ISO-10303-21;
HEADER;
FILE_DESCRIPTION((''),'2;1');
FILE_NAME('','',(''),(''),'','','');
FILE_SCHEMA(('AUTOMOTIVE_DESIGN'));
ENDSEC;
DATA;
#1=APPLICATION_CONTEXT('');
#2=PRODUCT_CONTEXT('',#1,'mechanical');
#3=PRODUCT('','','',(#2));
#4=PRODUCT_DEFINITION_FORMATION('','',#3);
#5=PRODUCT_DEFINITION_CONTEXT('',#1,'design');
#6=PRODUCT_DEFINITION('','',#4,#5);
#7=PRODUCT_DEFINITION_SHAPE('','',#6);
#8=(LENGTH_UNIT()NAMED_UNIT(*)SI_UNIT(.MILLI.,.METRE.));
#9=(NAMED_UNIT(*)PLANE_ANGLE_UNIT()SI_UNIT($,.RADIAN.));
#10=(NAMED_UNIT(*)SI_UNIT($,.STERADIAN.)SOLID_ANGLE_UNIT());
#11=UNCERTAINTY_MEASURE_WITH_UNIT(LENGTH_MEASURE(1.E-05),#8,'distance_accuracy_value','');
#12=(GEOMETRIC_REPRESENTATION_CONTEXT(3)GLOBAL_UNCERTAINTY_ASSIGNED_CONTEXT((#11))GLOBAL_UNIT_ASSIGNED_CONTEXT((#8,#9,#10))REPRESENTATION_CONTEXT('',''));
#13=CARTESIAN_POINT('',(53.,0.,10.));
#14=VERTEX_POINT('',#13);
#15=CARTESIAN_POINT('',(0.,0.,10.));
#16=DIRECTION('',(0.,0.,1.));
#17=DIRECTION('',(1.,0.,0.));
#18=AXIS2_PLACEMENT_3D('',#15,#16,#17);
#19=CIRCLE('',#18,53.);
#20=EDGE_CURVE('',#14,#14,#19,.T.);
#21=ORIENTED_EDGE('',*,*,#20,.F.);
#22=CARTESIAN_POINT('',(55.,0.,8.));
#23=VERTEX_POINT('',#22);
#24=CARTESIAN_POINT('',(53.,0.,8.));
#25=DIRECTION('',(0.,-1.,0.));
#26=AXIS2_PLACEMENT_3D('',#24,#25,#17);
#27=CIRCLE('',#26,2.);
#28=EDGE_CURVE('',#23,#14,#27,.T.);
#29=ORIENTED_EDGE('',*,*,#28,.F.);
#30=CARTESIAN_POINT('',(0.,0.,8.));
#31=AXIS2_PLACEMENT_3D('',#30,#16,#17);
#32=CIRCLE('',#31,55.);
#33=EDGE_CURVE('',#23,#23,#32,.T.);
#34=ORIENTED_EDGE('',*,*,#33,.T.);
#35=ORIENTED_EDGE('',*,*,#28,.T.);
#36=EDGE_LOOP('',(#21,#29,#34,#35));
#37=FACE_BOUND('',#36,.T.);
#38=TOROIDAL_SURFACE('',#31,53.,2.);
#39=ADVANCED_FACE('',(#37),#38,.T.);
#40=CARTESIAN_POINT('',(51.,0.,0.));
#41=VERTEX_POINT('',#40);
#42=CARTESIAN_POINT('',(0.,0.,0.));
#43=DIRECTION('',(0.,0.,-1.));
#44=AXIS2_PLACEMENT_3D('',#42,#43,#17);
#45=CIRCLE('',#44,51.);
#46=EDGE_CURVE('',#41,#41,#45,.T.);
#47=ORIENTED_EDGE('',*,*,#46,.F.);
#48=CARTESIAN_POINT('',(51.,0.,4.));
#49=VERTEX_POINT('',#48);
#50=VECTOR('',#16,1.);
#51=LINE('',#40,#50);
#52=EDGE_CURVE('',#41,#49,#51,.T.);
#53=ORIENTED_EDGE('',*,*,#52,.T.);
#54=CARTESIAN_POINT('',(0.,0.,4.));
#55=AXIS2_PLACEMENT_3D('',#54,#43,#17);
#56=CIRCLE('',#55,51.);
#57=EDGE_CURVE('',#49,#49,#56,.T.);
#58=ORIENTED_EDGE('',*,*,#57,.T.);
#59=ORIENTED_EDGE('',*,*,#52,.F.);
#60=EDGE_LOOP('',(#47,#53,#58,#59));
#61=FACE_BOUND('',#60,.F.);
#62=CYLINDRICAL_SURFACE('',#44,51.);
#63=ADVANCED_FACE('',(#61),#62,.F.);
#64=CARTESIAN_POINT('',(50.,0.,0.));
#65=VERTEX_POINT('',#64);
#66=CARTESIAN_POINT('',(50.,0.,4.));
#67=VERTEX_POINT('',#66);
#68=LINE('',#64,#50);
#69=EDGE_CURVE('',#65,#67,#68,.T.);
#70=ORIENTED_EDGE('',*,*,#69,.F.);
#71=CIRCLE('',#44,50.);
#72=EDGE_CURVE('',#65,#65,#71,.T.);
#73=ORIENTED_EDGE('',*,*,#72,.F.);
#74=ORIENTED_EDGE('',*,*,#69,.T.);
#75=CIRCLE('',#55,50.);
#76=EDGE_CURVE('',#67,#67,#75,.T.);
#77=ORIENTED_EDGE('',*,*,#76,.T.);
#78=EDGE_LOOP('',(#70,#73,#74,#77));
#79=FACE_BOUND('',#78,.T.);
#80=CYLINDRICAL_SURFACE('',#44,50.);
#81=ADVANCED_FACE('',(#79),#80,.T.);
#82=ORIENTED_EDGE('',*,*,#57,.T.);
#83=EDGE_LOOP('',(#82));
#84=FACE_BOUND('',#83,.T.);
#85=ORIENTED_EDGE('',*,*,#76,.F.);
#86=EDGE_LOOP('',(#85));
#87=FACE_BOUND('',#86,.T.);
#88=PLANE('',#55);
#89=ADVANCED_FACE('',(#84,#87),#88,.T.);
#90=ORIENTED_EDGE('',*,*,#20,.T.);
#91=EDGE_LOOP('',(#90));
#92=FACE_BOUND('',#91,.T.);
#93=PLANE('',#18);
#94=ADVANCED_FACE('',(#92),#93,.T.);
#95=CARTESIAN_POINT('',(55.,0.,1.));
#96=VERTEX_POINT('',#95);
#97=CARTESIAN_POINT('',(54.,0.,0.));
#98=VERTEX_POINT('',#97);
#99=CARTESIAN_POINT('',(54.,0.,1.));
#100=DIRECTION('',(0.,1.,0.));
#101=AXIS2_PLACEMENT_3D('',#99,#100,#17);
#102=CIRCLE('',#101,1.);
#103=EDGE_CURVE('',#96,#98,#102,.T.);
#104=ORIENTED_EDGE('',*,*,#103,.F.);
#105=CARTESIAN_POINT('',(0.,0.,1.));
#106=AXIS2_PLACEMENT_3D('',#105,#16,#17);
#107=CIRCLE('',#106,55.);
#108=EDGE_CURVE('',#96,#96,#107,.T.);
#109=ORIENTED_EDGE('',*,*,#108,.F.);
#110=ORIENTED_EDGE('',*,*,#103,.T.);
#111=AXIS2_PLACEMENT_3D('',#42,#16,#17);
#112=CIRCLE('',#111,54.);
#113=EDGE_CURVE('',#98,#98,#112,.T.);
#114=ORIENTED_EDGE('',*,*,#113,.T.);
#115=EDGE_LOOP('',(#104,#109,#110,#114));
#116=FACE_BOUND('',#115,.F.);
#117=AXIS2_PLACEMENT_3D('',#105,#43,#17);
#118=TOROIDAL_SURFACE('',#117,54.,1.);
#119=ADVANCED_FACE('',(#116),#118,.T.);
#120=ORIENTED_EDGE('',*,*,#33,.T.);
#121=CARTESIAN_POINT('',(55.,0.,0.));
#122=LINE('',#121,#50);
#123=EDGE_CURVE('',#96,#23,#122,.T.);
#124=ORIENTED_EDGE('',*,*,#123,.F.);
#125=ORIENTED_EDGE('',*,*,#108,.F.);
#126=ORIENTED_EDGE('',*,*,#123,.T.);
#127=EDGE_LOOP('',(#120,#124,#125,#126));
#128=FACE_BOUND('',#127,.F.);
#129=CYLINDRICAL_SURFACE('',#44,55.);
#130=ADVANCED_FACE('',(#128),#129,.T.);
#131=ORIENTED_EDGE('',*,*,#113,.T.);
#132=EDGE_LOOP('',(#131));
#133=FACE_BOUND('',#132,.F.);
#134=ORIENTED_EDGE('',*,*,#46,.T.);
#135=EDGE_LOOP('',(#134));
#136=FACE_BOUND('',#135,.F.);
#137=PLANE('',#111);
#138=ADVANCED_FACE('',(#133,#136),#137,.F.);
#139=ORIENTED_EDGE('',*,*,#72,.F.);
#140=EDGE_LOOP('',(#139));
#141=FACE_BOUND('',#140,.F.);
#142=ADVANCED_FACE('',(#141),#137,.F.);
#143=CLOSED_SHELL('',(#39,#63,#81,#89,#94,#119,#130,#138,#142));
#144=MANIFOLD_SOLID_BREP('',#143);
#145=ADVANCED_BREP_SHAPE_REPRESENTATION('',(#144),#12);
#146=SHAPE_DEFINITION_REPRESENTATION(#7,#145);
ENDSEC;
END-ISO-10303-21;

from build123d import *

# Parameters (mm, degrees)
F0_R     = 55
F1_DEPTH = 10
F2_R     = 1
F3_R     = 51
F3_R_2   = 50
F4_DEPTH = 4
F5_R     = 2


with BuildPart() as f1:
    # F0 (on Top) → F1 (new body)
    with BuildSketch(Plane.XY):
        Circle(F0_R)
    extrude(amount=F1_DEPTH)

    # F2
    f2_edges = [f1.edges().sort_by_distance(p)[0] for p in [
        (-55, 0, 0),
    ]]
    fillet(f2_edges, radius=F2_R)

    # F3 (on face) → F4 (cut)
    with BuildSketch(Plane(origin=(0, 0, 0), x_dir=(1, 0, 0), z_dir=(0, 0, -1))):
        Circle(F3_R)
        Circle(F3_R_2, mode=Mode.SUBTRACT)
    extrude(amount=-F4_DEPTH, mode=Mode.SUBTRACT)

    # F5
    f5_edges = [f1.edges().sort_by_distance(p)[0] for p in [
        (-55, 0, 10),
    ]]
    fillet(f5_edges, radius=F5_R)


solid = f1.part
